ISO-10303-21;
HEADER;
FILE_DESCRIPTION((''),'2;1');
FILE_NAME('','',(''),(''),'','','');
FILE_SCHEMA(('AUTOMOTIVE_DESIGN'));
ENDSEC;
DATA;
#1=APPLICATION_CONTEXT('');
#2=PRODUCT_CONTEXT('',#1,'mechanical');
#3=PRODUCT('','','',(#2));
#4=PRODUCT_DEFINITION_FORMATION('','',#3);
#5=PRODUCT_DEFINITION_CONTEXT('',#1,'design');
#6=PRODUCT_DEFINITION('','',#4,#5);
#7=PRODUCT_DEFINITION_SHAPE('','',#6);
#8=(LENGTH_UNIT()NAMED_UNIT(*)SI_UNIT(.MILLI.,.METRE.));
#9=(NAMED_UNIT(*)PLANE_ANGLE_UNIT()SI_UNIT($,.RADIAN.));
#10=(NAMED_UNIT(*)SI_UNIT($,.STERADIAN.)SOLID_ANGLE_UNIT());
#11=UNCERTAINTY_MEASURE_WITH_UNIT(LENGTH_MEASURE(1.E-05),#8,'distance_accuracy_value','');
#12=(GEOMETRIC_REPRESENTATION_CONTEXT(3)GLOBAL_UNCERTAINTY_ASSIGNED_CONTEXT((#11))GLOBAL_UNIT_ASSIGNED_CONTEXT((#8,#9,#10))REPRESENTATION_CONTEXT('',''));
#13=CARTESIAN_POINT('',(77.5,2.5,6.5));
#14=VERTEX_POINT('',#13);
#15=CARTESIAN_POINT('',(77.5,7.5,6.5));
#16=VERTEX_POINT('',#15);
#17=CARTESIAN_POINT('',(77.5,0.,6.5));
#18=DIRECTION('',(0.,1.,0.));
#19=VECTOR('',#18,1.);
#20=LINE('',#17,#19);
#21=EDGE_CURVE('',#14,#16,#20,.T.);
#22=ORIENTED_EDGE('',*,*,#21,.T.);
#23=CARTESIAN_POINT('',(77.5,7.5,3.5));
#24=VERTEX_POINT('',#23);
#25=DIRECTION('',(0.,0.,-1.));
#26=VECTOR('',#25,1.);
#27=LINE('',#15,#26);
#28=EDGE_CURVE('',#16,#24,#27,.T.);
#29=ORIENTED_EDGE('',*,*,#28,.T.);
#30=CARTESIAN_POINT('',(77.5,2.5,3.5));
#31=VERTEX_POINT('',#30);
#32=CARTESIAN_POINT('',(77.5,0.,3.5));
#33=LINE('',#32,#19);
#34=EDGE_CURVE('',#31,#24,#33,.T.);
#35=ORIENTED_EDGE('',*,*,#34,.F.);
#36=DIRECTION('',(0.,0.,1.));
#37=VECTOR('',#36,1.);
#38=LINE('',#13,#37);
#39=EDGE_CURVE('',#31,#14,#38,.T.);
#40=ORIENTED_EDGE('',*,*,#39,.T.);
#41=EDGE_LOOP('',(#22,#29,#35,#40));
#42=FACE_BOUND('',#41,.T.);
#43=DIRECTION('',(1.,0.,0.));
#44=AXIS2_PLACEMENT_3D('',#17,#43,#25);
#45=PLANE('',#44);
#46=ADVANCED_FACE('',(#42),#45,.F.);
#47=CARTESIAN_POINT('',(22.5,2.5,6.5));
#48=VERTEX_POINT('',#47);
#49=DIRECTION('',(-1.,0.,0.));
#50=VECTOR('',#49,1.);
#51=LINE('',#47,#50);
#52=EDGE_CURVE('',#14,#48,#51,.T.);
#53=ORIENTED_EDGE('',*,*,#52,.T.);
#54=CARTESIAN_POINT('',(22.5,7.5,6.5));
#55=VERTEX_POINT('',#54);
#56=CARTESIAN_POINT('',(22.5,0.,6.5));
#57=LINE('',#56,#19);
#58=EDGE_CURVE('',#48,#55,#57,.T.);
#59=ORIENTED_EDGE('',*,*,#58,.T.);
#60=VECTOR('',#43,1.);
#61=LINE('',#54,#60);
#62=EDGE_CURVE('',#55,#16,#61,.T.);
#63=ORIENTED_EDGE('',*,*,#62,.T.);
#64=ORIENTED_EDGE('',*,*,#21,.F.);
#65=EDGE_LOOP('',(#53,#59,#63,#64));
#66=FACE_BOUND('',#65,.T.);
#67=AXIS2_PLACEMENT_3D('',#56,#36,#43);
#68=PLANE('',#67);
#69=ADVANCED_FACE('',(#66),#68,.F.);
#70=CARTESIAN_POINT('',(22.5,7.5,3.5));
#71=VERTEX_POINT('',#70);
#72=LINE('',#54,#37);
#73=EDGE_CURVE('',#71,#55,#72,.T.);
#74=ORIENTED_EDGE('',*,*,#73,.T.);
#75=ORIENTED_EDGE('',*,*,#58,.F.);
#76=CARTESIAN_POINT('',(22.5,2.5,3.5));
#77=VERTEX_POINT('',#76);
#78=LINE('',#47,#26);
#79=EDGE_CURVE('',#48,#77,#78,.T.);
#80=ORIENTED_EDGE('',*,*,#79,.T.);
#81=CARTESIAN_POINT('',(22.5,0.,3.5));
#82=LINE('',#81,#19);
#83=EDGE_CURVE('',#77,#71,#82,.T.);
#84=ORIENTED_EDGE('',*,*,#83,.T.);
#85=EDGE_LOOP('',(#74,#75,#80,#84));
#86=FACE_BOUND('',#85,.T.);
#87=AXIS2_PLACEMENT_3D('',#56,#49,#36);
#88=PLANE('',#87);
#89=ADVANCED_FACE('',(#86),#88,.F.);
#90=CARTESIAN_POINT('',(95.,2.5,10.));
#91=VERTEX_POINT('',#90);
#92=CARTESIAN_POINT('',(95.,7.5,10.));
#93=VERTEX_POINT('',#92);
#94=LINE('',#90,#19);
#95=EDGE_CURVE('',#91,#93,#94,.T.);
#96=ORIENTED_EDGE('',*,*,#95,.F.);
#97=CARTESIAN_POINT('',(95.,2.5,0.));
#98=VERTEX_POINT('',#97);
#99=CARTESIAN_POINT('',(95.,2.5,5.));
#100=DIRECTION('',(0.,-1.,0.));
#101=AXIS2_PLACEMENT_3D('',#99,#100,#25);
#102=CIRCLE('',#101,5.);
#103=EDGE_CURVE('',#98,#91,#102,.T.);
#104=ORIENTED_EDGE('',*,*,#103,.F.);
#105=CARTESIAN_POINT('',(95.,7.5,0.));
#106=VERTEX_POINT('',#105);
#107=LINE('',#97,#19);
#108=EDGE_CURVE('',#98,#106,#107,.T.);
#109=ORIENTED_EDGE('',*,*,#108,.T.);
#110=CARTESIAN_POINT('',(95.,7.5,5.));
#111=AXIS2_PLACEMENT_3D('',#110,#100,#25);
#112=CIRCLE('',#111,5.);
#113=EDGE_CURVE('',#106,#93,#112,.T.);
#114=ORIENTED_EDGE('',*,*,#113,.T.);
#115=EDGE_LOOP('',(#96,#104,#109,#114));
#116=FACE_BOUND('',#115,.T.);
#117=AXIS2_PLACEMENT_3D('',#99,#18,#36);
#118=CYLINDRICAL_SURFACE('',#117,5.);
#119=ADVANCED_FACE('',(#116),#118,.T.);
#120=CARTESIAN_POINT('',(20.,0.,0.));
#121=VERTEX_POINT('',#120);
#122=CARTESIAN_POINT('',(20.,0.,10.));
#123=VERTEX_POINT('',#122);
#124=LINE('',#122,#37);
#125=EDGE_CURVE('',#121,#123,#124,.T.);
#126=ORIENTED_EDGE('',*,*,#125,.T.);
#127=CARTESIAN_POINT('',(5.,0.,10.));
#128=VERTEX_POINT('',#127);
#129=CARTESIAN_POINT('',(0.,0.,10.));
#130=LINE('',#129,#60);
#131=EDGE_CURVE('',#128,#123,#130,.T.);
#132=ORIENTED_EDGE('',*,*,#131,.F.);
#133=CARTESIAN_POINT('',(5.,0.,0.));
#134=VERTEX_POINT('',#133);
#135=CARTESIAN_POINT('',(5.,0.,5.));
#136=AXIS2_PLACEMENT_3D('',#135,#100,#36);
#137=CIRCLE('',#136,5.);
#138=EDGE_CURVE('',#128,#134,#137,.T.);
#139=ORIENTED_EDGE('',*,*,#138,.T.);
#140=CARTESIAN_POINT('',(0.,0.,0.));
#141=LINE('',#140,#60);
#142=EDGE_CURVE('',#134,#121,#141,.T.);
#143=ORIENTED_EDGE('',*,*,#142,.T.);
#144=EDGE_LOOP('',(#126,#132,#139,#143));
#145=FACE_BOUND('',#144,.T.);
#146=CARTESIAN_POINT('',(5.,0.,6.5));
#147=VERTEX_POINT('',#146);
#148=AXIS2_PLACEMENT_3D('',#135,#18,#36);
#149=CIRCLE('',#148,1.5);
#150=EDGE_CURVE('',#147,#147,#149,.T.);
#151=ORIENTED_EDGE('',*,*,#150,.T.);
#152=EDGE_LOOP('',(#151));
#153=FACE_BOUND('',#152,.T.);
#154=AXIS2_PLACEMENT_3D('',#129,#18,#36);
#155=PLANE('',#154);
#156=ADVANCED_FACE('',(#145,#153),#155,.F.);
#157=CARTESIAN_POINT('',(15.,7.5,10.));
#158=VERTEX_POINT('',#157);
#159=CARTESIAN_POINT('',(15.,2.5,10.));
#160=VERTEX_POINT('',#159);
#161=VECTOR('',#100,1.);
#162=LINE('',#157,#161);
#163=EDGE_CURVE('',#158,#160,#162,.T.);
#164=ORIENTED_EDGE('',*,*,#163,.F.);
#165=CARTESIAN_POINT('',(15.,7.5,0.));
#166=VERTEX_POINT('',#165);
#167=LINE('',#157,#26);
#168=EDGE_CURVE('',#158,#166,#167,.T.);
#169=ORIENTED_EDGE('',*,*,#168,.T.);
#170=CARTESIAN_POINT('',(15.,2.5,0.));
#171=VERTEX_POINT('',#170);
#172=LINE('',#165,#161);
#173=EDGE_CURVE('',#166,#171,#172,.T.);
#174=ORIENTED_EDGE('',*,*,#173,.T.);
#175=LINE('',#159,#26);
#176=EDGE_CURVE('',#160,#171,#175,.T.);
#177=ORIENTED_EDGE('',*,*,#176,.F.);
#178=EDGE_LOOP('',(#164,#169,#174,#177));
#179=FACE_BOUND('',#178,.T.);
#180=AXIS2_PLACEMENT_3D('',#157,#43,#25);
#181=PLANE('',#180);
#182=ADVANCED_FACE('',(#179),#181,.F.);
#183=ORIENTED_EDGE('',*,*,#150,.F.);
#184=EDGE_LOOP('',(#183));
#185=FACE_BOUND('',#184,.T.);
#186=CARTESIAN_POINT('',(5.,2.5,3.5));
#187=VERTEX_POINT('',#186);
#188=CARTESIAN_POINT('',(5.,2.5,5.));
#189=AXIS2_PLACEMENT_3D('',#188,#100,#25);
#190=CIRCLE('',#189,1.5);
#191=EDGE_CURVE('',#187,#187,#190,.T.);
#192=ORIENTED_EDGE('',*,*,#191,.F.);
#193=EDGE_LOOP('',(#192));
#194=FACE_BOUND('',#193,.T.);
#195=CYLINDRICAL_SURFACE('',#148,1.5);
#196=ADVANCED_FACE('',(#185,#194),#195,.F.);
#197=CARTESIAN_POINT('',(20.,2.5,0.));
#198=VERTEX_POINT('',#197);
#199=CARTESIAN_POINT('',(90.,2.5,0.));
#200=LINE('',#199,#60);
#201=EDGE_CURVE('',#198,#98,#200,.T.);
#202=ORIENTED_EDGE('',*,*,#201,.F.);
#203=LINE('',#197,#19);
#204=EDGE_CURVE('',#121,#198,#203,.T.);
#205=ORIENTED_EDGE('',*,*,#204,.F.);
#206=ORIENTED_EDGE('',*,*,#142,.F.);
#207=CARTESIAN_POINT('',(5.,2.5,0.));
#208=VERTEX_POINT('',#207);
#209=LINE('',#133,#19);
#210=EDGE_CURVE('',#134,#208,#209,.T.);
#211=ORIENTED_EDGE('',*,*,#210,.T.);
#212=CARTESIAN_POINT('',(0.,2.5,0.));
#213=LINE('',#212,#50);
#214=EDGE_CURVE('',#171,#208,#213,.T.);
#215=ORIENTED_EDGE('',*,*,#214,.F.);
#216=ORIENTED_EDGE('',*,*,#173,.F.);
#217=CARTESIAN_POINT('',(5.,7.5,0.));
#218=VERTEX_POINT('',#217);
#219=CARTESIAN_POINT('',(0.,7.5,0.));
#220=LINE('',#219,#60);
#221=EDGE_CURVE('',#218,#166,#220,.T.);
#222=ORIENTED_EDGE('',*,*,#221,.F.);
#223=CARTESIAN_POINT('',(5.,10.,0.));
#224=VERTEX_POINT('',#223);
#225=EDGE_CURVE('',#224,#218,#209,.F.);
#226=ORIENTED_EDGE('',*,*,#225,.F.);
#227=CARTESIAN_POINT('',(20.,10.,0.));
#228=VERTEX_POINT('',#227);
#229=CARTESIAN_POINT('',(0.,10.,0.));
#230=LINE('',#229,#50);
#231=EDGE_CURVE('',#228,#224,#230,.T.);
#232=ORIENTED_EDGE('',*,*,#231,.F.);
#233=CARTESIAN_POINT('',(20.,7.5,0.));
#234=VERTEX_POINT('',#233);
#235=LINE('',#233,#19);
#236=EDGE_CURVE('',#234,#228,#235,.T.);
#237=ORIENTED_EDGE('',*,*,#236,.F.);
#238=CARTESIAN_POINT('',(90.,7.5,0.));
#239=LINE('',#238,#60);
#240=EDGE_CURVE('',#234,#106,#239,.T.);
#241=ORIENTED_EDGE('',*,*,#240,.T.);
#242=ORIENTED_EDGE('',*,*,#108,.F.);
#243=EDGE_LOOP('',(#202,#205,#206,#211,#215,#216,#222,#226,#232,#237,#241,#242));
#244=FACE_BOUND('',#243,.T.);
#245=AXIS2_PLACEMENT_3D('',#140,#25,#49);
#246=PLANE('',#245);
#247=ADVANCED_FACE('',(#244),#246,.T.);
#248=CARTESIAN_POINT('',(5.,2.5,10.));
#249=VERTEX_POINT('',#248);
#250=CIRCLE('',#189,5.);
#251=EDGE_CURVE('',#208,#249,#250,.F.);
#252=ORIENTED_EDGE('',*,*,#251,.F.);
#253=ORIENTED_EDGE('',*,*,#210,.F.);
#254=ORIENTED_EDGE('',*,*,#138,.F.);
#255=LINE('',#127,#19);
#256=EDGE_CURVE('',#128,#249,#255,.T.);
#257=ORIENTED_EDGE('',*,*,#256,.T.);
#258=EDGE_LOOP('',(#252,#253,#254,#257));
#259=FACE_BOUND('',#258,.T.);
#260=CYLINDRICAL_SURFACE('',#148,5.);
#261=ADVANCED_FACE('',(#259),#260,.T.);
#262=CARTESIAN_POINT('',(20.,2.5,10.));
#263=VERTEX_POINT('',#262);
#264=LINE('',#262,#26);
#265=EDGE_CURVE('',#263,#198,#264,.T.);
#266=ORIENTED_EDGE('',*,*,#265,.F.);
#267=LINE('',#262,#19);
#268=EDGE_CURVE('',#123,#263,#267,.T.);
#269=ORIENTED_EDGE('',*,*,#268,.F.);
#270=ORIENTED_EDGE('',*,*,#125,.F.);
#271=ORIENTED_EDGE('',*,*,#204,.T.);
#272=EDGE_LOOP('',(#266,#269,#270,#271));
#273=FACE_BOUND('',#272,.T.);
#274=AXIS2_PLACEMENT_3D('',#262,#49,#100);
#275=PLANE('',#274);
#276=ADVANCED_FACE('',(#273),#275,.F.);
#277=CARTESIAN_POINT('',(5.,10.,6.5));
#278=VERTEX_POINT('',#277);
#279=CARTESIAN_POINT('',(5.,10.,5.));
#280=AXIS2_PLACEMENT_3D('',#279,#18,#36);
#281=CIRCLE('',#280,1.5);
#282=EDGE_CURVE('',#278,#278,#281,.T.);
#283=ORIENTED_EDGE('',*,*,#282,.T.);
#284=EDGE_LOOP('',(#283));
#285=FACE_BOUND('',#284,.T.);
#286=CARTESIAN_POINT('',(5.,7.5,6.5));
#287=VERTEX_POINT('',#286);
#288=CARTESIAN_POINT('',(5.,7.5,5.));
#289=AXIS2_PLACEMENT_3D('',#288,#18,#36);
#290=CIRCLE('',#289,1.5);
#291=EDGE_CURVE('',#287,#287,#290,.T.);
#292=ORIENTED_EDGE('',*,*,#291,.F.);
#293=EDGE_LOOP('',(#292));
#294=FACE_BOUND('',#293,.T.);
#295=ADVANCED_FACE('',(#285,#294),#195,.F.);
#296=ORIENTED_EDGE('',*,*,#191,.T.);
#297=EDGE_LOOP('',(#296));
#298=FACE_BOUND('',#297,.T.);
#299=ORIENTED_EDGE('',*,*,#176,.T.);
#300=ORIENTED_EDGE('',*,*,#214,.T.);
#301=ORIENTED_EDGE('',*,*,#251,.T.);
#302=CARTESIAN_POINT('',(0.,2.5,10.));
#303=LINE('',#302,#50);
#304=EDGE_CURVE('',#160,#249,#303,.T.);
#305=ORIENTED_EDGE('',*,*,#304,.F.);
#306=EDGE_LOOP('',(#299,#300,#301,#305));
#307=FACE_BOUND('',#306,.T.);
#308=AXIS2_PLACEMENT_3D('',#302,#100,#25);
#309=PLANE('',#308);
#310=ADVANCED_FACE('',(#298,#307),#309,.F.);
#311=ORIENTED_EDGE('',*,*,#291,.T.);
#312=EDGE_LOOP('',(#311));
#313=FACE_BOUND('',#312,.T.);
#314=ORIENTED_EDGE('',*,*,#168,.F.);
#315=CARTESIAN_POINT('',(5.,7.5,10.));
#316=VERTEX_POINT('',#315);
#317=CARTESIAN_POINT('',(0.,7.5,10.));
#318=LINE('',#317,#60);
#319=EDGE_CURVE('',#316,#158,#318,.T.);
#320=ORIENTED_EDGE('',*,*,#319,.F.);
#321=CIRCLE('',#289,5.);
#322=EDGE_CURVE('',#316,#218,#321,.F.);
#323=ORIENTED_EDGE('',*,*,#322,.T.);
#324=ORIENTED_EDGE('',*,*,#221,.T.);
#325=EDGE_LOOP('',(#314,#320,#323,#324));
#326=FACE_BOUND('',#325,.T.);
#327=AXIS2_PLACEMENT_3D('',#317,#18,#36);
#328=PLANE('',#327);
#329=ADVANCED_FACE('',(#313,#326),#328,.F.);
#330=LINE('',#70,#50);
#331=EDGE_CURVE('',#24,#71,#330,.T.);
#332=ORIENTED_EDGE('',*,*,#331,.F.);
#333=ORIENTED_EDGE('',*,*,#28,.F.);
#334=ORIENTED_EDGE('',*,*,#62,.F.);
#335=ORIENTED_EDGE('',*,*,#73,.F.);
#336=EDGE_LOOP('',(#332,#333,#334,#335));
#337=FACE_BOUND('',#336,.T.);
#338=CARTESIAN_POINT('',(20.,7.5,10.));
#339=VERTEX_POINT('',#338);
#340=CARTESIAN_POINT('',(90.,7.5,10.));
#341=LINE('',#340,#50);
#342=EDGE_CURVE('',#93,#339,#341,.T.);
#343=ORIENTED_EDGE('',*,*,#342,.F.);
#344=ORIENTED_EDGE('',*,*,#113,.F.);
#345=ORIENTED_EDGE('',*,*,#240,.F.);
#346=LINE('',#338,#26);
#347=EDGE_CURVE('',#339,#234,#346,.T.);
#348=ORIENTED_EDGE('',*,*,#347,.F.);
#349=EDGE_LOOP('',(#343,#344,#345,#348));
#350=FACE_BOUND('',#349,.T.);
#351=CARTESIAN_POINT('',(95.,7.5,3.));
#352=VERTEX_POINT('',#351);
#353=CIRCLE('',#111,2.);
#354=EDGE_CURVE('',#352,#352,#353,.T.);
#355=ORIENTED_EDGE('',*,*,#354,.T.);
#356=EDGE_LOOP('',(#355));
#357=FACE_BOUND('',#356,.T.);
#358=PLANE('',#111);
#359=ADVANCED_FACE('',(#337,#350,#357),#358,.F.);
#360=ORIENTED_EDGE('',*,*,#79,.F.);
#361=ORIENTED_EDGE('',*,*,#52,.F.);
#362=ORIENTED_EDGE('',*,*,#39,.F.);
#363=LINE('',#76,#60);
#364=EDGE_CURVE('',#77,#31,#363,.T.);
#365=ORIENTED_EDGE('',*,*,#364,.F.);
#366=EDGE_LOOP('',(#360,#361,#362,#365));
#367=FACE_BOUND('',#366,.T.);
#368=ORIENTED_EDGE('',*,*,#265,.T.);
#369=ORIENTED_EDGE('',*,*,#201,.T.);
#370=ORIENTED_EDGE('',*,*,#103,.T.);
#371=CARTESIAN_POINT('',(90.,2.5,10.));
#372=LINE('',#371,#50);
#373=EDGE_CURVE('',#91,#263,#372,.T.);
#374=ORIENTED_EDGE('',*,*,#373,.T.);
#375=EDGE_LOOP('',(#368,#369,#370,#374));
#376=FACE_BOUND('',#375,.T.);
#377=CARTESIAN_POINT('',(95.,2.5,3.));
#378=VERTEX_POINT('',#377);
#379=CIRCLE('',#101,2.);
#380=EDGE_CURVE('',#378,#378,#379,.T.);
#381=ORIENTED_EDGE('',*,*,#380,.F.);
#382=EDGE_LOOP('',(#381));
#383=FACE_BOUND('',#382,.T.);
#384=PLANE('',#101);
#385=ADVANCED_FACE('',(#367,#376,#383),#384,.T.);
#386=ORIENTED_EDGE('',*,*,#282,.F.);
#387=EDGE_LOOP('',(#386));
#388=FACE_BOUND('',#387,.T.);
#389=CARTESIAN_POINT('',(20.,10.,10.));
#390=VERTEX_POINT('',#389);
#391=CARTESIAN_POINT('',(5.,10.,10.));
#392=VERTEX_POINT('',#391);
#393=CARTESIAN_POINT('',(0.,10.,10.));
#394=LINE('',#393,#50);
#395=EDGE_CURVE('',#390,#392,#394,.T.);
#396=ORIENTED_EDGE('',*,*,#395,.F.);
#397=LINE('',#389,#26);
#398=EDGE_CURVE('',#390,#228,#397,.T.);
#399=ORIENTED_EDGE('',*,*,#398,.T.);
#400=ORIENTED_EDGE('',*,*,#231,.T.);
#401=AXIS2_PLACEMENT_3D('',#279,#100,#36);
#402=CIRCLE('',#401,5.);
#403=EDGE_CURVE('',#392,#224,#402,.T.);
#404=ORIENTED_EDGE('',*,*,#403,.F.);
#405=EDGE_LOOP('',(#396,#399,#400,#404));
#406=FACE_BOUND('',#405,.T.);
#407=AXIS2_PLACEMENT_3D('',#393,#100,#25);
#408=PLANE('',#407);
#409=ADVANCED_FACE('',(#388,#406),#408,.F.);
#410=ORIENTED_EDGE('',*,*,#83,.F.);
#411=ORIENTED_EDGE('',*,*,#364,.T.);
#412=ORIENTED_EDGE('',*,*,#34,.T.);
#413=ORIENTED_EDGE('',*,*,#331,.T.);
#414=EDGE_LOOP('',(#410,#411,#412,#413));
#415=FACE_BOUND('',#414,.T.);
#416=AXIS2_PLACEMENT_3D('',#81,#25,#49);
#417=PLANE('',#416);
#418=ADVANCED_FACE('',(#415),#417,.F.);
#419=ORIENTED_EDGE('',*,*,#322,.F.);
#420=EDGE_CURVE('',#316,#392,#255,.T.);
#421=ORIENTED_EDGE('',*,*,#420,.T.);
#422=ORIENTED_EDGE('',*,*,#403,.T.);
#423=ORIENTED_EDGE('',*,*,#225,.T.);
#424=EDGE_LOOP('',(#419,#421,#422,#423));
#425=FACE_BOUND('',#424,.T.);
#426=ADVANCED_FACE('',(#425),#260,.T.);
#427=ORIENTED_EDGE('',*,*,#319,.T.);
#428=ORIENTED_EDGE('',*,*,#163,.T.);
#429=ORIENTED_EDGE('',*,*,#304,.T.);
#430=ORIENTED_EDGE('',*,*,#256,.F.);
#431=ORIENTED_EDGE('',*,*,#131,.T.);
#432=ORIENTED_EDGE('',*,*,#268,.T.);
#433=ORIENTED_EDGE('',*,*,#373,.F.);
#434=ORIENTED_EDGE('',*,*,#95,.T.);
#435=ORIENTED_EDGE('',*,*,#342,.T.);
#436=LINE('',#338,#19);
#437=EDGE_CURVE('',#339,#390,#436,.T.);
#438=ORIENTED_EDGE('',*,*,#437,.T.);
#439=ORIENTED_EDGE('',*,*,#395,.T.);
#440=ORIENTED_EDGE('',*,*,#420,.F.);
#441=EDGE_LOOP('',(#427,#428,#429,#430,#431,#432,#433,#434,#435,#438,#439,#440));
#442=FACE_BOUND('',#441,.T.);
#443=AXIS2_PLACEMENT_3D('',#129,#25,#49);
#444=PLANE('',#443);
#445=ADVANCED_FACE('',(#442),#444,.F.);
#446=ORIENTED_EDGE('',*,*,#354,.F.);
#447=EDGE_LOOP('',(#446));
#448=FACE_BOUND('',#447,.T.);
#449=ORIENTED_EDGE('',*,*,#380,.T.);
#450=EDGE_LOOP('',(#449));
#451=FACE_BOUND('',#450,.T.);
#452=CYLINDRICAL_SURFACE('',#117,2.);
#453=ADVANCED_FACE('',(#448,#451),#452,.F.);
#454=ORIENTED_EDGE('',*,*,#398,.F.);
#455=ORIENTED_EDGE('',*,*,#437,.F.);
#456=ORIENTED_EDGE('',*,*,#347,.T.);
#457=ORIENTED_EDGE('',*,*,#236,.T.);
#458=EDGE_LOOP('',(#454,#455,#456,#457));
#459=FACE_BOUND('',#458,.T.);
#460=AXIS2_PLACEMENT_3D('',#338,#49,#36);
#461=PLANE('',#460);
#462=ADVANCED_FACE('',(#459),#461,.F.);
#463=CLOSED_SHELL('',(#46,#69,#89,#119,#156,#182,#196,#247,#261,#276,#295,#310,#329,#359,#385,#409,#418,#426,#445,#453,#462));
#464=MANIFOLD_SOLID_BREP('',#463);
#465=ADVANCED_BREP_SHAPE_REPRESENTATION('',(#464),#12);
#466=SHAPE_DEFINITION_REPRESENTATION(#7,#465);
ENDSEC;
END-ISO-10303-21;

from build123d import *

# Parameters (mm, degrees)
SALIENTE_EXTRUIR1_DEPTH = 10
CROQUIS2_R              = 1.5
CROQUIS2_W              = 55
CROQUIS2_H              = 3
CORTAR_EXTRUIR1_DEPTH   = 10
CROQUIS3_W              = 15
CROQUIS3_H              = 2.5
CORTAR_EXTRUIR2_DEPTH   = 10
CROQUIS4_R              = 1.5
CORTAR_EXTRUIR3_DEPTH   = 10
CORTAR_EXTRUIR5_DEPTH   = 10
CROQUIS9_R              = 2
SALIENTE_EXTRUIR2_DEPTH = 2.5
CROQUIS10_W             = 70
CROQUIS10_H             = 16.144583998
CORTAR_EXTRUIR6_DEPTH   = 10


with BuildPart() as part:
    # Croquis1 → Saliente-Extruir1 (new body)
    with BuildSketch(Plane.XY):
        Polygon((0, 0), (105, 0), (105, 2.5), (105, 7.5), (105, 10), (0, 10), (0, 7.5), (15, 7.5), (15, 2.5), (0, 2.5), align=None)
    extrude(amount=SALIENTE_EXTRUIR1_DEPTH)

    # Croquis2 → Cortar-Extruir1 (cut)
    with BuildSketch(Plane(origin=(0, 10, 0), x_dir=(1, 0, 0), z_dir=(0, 1, 0))):
        with Locations(Location((5, -5, 0), (0, 0, 270))):
            Circle(CROQUIS2_R)
        with BuildLine():
            Line((-4.031911586, 0), (5, 0))
            ThreePointArc((5, 0), (0, -5), (5, -10))
            Line((5, -10), (-4.031911586, -10))
            Line((-4.031911586, -10), (-4.031911586, 0))
        make_face()
        with Locations((50, -5)):
            Rectangle(CROQUIS2_W, CROQUIS2_H)
    extrude(amount=-CORTAR_EXTRUIR1_DEPTH, mode=Mode.SUBTRACT)

    # Croquis3 → Cortar-Extruir2 (cut)
    with BuildSketch(Plane(origin=(0, 10, 0), x_dir=(1, 0, 0), z_dir=(0, 1, 0))):
        with Locations((97.5, -1.25)):
            Rectangle(CROQUIS3_W, CROQUIS3_H)
        with Locations((97.5, -8.75)):
            Rectangle(CROQUIS3_W, CROQUIS3_H)
    extrude(amount=-CORTAR_EXTRUIR2_DEPTH, mode=Mode.SUBTRACT)

    # Croquis4 → Cortar-Extruir3 (cut)
    with BuildSketch(Plane.XY.offset(7.5)):
        with Locations((100, 5)):
            Circle(CROQUIS4_R)
        with BuildLine():
            Line((100, 10), (171.112400038, 10))
            Line((171.112400038, 10), (171.112400038, 0))
            Line((171.112400038, 0), (100, 0))
            ThreePointArc((100, 0), (105, 5), (100, 10))
        make_face()
    extrude(amount=-CORTAR_EXTRUIR3_DEPTH, mode=Mode.SUBTRACT)

    # Croquis8 → Cortar-Extruir5 (cut)
    with BuildSketch(Plane.XY.offset(7.5)):
        with BuildLine():
            Line((90, 0), (100, 0))
            ThreePointArc((100, 0), (105, 5), (100, 10))
            Line((100, 10), (90, 10))
            Line((90, 10), (90, 0))
        make_face()
    extrude(amount=-CORTAR_EXTRUIR5_DEPTH, mode=Mode.SUBTRACT)

    # Croquis9 → Saliente-Extruir2 (add, symmetric)
    with BuildSketch(Plane(origin=(0, 5, 0), x_dir=(-1, 0, 0), z_dir=(0, -1, 0))):
        with BuildLine():
            Line((-90, -10), (-95, -10))
            ThreePointArc((-95, -10), (-100, -5), (-95, 0))
            Line((-95, 0), (-90, 0))
            Line((-90, 0), (-90, -10))
        make_face()
        with Locations(Location((-95, -5, 0), (0, 0, 90))):
            Circle(CROQUIS9_R, mode=Mode.SUBTRACT)
    extrude(amount=SALIENTE_EXTRUIR2_DEPTH, both=True)

    # Croquis10 → Cortar-Extruir6 (cut)
    with BuildSketch(Plane(origin=(0, 0, 0), x_dir=(-1, 0, 0), z_dir=(0, 0, -1))):
        with Locations((-55, 15.572291999)):
            Rectangle(CROQUIS10_W, CROQUIS10_H)
        with Locations((-55, -5.572291999)):
            Rectangle(CROQUIS10_W, CROQUIS10_H)
    extrude(amount=-CORTAR_EXTRUIR6_DEPTH, mode=Mode.SUBTRACT)


solid = part.part
